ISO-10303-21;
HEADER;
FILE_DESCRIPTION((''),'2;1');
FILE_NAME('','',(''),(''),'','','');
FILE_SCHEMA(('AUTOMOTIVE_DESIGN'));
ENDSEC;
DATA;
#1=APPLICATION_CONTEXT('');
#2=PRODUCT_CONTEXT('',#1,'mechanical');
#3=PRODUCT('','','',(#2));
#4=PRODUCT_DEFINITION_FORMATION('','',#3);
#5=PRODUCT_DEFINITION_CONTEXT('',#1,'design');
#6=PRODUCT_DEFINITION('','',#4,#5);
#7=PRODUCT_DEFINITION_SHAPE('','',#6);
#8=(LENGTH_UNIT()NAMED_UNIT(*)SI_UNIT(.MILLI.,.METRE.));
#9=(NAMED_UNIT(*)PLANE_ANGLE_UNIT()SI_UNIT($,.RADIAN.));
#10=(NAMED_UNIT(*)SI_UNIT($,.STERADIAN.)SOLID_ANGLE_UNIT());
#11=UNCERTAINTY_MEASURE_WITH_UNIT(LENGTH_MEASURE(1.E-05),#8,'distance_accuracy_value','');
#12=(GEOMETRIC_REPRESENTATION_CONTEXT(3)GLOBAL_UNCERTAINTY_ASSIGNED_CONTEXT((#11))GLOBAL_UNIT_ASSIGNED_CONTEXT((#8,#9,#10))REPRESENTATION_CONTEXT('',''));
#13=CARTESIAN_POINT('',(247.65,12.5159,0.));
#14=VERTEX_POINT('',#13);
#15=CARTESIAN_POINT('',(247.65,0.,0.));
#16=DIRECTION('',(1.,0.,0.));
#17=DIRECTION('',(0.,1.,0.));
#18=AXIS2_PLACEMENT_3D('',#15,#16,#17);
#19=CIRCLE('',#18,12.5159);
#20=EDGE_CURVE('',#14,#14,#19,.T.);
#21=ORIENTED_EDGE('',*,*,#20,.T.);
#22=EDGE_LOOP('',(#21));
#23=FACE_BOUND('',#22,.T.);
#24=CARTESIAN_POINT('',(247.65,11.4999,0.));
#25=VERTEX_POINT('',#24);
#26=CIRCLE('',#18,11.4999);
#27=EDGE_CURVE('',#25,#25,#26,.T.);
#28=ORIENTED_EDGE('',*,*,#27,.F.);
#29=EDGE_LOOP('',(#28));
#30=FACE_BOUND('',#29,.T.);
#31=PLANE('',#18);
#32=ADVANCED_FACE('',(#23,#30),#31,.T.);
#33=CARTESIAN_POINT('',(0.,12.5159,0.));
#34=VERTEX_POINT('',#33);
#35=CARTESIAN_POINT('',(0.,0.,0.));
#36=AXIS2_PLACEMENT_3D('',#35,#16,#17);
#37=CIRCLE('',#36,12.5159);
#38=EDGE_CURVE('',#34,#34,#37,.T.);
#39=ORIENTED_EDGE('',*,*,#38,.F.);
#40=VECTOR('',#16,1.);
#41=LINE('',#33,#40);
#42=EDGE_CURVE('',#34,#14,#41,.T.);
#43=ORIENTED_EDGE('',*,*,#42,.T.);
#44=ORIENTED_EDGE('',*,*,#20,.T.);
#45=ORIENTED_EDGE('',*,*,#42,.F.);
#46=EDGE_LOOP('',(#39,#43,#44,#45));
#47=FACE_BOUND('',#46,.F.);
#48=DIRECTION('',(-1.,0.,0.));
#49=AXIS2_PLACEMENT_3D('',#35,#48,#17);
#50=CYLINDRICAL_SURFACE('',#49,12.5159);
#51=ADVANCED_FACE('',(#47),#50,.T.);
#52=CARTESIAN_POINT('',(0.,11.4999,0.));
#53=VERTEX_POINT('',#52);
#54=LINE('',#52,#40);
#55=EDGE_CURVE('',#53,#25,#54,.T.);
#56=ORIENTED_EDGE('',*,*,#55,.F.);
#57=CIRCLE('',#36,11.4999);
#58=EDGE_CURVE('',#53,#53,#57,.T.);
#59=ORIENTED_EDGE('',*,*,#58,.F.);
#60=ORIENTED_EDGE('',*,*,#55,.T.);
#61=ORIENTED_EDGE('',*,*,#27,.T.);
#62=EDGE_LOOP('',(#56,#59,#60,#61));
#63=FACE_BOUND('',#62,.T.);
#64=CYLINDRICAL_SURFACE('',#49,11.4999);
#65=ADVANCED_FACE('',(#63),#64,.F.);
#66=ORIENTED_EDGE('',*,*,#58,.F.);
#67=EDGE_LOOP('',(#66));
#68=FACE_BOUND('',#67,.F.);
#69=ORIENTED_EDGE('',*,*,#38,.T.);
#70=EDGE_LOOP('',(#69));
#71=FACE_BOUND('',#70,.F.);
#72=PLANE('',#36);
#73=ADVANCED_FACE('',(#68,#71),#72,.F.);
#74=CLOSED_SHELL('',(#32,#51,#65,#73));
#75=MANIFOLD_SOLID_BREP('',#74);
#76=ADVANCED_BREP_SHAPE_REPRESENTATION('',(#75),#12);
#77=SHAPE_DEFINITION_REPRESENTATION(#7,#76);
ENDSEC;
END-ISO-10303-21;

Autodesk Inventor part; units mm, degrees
ref_plane "YZ Plane" through (0, 0, 0) normal (1, 0, 0) x (0, 1, 0)
ref_plane "XZ Plane" through (0, 0, 0) normal (0, 1, 0) x (-1, 0, 0)
ref_plane "XY Plane" through (0, 0, 0) normal (0, 0, 1) x (1, 0, 0)
sketch "Sketch1" plane through (0, 0, 0) normal (1, 0, 0) x (0, 1, 0)
  circle A0 centre (0, 0) radius 11.4999
  circle A1 centre (0, 0) radius 12.5159
  dimension "d0" = 22.9997
  dimension "d1" = 25.0317
extrude "Extrusion1" add sketch "Sketch1" along normal blind 247.65
properties part number "Tube"
